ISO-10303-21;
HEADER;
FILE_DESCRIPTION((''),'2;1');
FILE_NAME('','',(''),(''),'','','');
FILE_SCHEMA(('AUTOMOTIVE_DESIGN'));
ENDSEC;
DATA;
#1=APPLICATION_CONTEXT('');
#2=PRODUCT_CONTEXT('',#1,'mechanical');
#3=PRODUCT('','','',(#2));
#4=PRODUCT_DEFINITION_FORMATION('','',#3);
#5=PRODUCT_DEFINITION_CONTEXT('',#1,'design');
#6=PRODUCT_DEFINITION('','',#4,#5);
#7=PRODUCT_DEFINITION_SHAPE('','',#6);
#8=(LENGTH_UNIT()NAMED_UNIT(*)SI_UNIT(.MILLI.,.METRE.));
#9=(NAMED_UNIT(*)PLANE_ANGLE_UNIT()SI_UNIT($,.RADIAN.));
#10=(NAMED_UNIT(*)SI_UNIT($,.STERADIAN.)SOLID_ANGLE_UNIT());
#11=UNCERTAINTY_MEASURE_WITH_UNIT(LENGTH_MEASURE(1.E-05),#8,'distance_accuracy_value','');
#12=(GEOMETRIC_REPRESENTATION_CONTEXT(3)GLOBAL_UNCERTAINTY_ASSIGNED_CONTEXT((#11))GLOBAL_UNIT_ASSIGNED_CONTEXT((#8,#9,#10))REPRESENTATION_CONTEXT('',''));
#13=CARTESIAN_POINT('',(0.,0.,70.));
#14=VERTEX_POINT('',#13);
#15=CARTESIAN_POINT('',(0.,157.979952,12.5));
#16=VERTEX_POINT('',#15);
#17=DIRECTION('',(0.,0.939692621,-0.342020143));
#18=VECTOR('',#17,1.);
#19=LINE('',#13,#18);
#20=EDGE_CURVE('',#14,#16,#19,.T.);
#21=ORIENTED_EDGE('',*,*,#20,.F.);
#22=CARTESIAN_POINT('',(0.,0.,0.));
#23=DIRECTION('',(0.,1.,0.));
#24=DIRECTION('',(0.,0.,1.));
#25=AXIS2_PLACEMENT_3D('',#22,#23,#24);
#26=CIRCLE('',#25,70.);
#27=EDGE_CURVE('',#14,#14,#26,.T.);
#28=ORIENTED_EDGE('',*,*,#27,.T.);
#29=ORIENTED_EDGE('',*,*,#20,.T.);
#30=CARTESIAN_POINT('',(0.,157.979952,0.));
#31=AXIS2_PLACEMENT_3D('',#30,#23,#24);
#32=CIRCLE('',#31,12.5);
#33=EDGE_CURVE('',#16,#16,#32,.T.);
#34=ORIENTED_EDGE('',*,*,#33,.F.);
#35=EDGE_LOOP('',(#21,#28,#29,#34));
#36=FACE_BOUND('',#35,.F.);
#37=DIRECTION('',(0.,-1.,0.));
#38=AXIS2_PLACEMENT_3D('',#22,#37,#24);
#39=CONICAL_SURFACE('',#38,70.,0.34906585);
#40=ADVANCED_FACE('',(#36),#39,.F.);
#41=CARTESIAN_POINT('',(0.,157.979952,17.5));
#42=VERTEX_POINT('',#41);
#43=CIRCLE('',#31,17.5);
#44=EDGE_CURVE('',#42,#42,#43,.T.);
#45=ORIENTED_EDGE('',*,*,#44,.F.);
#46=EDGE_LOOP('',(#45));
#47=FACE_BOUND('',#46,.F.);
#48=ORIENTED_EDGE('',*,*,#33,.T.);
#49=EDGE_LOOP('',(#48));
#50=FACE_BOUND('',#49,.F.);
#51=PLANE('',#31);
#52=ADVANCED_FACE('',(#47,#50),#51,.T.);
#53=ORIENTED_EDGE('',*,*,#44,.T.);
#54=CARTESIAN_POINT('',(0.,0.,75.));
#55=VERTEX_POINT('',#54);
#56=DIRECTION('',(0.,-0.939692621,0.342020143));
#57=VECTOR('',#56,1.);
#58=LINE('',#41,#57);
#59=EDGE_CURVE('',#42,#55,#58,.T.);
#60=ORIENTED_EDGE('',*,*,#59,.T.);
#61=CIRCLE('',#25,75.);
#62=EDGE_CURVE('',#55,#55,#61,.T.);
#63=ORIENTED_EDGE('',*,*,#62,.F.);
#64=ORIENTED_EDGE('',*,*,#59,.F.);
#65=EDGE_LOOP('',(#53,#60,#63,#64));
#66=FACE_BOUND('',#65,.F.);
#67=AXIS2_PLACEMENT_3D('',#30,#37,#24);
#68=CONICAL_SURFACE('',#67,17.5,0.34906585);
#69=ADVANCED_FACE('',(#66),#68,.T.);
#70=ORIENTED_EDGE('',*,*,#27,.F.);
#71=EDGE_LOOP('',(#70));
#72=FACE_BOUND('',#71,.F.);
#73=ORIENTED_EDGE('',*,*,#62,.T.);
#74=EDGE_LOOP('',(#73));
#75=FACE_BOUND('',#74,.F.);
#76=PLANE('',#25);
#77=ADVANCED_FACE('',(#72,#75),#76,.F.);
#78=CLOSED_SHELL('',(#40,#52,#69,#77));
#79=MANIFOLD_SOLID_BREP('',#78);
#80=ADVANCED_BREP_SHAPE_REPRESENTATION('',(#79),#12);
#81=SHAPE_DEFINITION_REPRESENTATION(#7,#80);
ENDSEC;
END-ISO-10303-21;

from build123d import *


with BuildPart() as f1:
    # F0 (on Right) → F1 (revolve)
    with BuildSketch(Plane.YZ):
        Polygon((157.979952, 17.5), (0, 75), (0, 70), (157.979952, 12.5), align=None)
    revolve(axis=Axis((0, 99.476732, 0), (0, 1, 0)))


solid = f1.part
